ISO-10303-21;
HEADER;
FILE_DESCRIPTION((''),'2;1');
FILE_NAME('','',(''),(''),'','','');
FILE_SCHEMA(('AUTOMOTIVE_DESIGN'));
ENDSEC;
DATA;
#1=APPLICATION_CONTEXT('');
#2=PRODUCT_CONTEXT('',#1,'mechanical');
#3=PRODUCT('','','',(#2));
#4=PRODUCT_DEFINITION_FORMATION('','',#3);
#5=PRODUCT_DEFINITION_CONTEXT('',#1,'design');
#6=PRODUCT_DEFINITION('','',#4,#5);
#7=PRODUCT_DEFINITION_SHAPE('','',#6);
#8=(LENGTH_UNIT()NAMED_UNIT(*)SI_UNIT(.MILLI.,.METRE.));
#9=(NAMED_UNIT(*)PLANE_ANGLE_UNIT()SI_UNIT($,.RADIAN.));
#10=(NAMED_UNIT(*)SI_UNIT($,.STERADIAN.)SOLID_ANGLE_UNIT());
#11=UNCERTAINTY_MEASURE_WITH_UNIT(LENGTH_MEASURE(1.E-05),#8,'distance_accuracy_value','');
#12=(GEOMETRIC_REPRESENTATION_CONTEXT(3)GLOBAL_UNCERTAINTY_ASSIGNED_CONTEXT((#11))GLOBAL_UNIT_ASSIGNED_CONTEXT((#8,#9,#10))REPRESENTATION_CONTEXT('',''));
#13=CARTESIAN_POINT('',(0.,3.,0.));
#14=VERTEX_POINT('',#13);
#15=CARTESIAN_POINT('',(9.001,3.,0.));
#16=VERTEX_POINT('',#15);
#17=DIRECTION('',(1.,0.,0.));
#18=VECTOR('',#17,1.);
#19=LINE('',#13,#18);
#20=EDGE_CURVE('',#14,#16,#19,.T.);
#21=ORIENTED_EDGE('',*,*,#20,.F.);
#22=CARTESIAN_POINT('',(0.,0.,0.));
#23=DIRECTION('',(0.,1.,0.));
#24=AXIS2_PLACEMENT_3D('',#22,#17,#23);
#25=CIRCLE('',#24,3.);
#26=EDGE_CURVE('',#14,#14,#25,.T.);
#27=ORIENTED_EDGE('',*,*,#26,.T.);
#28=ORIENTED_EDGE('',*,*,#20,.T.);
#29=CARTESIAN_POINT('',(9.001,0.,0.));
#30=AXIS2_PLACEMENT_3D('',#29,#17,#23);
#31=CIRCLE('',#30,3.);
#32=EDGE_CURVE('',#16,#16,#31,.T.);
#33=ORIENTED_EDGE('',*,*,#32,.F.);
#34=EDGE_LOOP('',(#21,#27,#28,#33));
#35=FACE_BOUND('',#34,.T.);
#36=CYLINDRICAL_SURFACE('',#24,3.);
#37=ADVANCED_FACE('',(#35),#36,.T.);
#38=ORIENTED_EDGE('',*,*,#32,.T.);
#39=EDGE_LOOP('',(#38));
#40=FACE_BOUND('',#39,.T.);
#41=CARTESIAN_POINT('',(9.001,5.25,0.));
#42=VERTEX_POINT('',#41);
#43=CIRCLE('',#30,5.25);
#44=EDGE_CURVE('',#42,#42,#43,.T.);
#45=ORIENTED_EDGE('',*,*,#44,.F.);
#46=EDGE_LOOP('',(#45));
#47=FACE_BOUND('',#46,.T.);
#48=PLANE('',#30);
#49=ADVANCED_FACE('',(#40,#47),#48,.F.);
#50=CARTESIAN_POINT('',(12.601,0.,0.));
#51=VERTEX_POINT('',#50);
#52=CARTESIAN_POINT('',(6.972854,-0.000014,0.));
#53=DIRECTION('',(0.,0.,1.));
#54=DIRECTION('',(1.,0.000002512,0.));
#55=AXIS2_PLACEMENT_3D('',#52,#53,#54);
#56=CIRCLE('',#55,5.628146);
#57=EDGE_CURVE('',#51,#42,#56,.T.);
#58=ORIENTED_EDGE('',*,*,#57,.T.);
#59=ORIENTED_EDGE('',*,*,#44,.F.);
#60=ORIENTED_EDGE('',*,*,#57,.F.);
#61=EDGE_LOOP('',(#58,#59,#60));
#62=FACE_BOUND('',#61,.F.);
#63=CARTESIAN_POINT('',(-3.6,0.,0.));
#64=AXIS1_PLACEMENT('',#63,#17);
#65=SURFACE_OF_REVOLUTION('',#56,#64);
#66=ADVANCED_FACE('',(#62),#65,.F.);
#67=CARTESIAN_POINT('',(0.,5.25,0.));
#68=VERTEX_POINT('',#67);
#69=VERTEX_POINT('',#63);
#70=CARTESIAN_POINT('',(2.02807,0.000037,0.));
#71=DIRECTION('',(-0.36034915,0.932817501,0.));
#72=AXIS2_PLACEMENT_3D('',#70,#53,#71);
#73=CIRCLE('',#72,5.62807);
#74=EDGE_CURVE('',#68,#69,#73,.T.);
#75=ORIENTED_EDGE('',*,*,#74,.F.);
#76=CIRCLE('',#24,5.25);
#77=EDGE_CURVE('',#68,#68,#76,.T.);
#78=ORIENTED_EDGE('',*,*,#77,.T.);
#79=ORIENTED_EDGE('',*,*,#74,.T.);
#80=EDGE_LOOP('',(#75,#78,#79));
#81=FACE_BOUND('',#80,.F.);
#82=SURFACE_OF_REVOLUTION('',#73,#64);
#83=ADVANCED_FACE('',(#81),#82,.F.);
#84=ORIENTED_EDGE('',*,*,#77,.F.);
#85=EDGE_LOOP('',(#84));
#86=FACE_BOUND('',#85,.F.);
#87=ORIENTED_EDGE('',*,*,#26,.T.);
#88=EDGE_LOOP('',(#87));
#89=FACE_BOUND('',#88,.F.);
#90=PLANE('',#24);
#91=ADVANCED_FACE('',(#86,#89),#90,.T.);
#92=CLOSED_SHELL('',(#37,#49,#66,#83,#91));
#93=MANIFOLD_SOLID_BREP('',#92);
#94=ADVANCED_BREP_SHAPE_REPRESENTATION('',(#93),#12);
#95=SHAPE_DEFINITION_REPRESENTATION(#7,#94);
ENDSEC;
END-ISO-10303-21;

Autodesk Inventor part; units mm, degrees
ref_plane "YZ Plane" through (0, 0, 0) normal (1, 0, 0) x (0, 1, 0)
ref_plane "XZ Plane" through (0, 0, 0) normal (0, 1, 0) x (-1, 0, 0)
ref_plane "XY Plane" through (0, 0, 0) normal (0, 0, 1) x (1, 0, 0)
sketch "Szkic" plane through (0, 0, 0) normal (0, 0, 1) x (1, 0, 0)
  line L0 (0, 3) -> (9.001, 3)
  line L1 (9.001, 3) -> (9.001, 5.25)
  line L2 (0, 3) -> (0, 5.25)
  line L3 (-3.6, 0) -> (12.601, 0)
  line L4 (-1.2309, 0) -> (2.2319, 0) projected
  line L5 (0, -0.1982) -> (0, 1.189) projected
  arc A0 (0, 5.25) -> (-3.6, 0) centre (2.0281, 0) ccw
  arc A1 (12.601, 0) -> (9.001, 5.25) centre (6.9729, 0) ccw
  dimension "d0" = 6
  dimension "d1" = 9.001
  dimension "d2" = 10.5
  dimension "d3" = 3.6
  dimension "d4" = 10.5
  dimension "d5" = 3.6
revolve "Bryła" add sketch "Szkic" angle 360 about axis through (-3.6, 0, 0) along (1, 0, 0)
equation "\"d0\" = NND1"
equation "\"d2\" = KOD"
equation "\"d3\" = KOH"
equation "\"d4\" = KOD1"
equation "\"d5\" = KOH1"
equation "\"KOH\" = 3.6"
equation "\"KOH1\" = KOH"
equation "\"KOD\" = 10.5"
equation "\"KOD1\" = KOD"
equation "\"NND1\" = NND"
equation "\"KLG\" = 9"
equation "\"NLG\" = 18"
equation "\"KLGMIN\" = 0.001"
equation "\"NND\" = 6"
equation "\"KLGMAX\" = 9.5"
properties part number "ISO/R 1051 - 6 x 18" material "Stal, miękka"
